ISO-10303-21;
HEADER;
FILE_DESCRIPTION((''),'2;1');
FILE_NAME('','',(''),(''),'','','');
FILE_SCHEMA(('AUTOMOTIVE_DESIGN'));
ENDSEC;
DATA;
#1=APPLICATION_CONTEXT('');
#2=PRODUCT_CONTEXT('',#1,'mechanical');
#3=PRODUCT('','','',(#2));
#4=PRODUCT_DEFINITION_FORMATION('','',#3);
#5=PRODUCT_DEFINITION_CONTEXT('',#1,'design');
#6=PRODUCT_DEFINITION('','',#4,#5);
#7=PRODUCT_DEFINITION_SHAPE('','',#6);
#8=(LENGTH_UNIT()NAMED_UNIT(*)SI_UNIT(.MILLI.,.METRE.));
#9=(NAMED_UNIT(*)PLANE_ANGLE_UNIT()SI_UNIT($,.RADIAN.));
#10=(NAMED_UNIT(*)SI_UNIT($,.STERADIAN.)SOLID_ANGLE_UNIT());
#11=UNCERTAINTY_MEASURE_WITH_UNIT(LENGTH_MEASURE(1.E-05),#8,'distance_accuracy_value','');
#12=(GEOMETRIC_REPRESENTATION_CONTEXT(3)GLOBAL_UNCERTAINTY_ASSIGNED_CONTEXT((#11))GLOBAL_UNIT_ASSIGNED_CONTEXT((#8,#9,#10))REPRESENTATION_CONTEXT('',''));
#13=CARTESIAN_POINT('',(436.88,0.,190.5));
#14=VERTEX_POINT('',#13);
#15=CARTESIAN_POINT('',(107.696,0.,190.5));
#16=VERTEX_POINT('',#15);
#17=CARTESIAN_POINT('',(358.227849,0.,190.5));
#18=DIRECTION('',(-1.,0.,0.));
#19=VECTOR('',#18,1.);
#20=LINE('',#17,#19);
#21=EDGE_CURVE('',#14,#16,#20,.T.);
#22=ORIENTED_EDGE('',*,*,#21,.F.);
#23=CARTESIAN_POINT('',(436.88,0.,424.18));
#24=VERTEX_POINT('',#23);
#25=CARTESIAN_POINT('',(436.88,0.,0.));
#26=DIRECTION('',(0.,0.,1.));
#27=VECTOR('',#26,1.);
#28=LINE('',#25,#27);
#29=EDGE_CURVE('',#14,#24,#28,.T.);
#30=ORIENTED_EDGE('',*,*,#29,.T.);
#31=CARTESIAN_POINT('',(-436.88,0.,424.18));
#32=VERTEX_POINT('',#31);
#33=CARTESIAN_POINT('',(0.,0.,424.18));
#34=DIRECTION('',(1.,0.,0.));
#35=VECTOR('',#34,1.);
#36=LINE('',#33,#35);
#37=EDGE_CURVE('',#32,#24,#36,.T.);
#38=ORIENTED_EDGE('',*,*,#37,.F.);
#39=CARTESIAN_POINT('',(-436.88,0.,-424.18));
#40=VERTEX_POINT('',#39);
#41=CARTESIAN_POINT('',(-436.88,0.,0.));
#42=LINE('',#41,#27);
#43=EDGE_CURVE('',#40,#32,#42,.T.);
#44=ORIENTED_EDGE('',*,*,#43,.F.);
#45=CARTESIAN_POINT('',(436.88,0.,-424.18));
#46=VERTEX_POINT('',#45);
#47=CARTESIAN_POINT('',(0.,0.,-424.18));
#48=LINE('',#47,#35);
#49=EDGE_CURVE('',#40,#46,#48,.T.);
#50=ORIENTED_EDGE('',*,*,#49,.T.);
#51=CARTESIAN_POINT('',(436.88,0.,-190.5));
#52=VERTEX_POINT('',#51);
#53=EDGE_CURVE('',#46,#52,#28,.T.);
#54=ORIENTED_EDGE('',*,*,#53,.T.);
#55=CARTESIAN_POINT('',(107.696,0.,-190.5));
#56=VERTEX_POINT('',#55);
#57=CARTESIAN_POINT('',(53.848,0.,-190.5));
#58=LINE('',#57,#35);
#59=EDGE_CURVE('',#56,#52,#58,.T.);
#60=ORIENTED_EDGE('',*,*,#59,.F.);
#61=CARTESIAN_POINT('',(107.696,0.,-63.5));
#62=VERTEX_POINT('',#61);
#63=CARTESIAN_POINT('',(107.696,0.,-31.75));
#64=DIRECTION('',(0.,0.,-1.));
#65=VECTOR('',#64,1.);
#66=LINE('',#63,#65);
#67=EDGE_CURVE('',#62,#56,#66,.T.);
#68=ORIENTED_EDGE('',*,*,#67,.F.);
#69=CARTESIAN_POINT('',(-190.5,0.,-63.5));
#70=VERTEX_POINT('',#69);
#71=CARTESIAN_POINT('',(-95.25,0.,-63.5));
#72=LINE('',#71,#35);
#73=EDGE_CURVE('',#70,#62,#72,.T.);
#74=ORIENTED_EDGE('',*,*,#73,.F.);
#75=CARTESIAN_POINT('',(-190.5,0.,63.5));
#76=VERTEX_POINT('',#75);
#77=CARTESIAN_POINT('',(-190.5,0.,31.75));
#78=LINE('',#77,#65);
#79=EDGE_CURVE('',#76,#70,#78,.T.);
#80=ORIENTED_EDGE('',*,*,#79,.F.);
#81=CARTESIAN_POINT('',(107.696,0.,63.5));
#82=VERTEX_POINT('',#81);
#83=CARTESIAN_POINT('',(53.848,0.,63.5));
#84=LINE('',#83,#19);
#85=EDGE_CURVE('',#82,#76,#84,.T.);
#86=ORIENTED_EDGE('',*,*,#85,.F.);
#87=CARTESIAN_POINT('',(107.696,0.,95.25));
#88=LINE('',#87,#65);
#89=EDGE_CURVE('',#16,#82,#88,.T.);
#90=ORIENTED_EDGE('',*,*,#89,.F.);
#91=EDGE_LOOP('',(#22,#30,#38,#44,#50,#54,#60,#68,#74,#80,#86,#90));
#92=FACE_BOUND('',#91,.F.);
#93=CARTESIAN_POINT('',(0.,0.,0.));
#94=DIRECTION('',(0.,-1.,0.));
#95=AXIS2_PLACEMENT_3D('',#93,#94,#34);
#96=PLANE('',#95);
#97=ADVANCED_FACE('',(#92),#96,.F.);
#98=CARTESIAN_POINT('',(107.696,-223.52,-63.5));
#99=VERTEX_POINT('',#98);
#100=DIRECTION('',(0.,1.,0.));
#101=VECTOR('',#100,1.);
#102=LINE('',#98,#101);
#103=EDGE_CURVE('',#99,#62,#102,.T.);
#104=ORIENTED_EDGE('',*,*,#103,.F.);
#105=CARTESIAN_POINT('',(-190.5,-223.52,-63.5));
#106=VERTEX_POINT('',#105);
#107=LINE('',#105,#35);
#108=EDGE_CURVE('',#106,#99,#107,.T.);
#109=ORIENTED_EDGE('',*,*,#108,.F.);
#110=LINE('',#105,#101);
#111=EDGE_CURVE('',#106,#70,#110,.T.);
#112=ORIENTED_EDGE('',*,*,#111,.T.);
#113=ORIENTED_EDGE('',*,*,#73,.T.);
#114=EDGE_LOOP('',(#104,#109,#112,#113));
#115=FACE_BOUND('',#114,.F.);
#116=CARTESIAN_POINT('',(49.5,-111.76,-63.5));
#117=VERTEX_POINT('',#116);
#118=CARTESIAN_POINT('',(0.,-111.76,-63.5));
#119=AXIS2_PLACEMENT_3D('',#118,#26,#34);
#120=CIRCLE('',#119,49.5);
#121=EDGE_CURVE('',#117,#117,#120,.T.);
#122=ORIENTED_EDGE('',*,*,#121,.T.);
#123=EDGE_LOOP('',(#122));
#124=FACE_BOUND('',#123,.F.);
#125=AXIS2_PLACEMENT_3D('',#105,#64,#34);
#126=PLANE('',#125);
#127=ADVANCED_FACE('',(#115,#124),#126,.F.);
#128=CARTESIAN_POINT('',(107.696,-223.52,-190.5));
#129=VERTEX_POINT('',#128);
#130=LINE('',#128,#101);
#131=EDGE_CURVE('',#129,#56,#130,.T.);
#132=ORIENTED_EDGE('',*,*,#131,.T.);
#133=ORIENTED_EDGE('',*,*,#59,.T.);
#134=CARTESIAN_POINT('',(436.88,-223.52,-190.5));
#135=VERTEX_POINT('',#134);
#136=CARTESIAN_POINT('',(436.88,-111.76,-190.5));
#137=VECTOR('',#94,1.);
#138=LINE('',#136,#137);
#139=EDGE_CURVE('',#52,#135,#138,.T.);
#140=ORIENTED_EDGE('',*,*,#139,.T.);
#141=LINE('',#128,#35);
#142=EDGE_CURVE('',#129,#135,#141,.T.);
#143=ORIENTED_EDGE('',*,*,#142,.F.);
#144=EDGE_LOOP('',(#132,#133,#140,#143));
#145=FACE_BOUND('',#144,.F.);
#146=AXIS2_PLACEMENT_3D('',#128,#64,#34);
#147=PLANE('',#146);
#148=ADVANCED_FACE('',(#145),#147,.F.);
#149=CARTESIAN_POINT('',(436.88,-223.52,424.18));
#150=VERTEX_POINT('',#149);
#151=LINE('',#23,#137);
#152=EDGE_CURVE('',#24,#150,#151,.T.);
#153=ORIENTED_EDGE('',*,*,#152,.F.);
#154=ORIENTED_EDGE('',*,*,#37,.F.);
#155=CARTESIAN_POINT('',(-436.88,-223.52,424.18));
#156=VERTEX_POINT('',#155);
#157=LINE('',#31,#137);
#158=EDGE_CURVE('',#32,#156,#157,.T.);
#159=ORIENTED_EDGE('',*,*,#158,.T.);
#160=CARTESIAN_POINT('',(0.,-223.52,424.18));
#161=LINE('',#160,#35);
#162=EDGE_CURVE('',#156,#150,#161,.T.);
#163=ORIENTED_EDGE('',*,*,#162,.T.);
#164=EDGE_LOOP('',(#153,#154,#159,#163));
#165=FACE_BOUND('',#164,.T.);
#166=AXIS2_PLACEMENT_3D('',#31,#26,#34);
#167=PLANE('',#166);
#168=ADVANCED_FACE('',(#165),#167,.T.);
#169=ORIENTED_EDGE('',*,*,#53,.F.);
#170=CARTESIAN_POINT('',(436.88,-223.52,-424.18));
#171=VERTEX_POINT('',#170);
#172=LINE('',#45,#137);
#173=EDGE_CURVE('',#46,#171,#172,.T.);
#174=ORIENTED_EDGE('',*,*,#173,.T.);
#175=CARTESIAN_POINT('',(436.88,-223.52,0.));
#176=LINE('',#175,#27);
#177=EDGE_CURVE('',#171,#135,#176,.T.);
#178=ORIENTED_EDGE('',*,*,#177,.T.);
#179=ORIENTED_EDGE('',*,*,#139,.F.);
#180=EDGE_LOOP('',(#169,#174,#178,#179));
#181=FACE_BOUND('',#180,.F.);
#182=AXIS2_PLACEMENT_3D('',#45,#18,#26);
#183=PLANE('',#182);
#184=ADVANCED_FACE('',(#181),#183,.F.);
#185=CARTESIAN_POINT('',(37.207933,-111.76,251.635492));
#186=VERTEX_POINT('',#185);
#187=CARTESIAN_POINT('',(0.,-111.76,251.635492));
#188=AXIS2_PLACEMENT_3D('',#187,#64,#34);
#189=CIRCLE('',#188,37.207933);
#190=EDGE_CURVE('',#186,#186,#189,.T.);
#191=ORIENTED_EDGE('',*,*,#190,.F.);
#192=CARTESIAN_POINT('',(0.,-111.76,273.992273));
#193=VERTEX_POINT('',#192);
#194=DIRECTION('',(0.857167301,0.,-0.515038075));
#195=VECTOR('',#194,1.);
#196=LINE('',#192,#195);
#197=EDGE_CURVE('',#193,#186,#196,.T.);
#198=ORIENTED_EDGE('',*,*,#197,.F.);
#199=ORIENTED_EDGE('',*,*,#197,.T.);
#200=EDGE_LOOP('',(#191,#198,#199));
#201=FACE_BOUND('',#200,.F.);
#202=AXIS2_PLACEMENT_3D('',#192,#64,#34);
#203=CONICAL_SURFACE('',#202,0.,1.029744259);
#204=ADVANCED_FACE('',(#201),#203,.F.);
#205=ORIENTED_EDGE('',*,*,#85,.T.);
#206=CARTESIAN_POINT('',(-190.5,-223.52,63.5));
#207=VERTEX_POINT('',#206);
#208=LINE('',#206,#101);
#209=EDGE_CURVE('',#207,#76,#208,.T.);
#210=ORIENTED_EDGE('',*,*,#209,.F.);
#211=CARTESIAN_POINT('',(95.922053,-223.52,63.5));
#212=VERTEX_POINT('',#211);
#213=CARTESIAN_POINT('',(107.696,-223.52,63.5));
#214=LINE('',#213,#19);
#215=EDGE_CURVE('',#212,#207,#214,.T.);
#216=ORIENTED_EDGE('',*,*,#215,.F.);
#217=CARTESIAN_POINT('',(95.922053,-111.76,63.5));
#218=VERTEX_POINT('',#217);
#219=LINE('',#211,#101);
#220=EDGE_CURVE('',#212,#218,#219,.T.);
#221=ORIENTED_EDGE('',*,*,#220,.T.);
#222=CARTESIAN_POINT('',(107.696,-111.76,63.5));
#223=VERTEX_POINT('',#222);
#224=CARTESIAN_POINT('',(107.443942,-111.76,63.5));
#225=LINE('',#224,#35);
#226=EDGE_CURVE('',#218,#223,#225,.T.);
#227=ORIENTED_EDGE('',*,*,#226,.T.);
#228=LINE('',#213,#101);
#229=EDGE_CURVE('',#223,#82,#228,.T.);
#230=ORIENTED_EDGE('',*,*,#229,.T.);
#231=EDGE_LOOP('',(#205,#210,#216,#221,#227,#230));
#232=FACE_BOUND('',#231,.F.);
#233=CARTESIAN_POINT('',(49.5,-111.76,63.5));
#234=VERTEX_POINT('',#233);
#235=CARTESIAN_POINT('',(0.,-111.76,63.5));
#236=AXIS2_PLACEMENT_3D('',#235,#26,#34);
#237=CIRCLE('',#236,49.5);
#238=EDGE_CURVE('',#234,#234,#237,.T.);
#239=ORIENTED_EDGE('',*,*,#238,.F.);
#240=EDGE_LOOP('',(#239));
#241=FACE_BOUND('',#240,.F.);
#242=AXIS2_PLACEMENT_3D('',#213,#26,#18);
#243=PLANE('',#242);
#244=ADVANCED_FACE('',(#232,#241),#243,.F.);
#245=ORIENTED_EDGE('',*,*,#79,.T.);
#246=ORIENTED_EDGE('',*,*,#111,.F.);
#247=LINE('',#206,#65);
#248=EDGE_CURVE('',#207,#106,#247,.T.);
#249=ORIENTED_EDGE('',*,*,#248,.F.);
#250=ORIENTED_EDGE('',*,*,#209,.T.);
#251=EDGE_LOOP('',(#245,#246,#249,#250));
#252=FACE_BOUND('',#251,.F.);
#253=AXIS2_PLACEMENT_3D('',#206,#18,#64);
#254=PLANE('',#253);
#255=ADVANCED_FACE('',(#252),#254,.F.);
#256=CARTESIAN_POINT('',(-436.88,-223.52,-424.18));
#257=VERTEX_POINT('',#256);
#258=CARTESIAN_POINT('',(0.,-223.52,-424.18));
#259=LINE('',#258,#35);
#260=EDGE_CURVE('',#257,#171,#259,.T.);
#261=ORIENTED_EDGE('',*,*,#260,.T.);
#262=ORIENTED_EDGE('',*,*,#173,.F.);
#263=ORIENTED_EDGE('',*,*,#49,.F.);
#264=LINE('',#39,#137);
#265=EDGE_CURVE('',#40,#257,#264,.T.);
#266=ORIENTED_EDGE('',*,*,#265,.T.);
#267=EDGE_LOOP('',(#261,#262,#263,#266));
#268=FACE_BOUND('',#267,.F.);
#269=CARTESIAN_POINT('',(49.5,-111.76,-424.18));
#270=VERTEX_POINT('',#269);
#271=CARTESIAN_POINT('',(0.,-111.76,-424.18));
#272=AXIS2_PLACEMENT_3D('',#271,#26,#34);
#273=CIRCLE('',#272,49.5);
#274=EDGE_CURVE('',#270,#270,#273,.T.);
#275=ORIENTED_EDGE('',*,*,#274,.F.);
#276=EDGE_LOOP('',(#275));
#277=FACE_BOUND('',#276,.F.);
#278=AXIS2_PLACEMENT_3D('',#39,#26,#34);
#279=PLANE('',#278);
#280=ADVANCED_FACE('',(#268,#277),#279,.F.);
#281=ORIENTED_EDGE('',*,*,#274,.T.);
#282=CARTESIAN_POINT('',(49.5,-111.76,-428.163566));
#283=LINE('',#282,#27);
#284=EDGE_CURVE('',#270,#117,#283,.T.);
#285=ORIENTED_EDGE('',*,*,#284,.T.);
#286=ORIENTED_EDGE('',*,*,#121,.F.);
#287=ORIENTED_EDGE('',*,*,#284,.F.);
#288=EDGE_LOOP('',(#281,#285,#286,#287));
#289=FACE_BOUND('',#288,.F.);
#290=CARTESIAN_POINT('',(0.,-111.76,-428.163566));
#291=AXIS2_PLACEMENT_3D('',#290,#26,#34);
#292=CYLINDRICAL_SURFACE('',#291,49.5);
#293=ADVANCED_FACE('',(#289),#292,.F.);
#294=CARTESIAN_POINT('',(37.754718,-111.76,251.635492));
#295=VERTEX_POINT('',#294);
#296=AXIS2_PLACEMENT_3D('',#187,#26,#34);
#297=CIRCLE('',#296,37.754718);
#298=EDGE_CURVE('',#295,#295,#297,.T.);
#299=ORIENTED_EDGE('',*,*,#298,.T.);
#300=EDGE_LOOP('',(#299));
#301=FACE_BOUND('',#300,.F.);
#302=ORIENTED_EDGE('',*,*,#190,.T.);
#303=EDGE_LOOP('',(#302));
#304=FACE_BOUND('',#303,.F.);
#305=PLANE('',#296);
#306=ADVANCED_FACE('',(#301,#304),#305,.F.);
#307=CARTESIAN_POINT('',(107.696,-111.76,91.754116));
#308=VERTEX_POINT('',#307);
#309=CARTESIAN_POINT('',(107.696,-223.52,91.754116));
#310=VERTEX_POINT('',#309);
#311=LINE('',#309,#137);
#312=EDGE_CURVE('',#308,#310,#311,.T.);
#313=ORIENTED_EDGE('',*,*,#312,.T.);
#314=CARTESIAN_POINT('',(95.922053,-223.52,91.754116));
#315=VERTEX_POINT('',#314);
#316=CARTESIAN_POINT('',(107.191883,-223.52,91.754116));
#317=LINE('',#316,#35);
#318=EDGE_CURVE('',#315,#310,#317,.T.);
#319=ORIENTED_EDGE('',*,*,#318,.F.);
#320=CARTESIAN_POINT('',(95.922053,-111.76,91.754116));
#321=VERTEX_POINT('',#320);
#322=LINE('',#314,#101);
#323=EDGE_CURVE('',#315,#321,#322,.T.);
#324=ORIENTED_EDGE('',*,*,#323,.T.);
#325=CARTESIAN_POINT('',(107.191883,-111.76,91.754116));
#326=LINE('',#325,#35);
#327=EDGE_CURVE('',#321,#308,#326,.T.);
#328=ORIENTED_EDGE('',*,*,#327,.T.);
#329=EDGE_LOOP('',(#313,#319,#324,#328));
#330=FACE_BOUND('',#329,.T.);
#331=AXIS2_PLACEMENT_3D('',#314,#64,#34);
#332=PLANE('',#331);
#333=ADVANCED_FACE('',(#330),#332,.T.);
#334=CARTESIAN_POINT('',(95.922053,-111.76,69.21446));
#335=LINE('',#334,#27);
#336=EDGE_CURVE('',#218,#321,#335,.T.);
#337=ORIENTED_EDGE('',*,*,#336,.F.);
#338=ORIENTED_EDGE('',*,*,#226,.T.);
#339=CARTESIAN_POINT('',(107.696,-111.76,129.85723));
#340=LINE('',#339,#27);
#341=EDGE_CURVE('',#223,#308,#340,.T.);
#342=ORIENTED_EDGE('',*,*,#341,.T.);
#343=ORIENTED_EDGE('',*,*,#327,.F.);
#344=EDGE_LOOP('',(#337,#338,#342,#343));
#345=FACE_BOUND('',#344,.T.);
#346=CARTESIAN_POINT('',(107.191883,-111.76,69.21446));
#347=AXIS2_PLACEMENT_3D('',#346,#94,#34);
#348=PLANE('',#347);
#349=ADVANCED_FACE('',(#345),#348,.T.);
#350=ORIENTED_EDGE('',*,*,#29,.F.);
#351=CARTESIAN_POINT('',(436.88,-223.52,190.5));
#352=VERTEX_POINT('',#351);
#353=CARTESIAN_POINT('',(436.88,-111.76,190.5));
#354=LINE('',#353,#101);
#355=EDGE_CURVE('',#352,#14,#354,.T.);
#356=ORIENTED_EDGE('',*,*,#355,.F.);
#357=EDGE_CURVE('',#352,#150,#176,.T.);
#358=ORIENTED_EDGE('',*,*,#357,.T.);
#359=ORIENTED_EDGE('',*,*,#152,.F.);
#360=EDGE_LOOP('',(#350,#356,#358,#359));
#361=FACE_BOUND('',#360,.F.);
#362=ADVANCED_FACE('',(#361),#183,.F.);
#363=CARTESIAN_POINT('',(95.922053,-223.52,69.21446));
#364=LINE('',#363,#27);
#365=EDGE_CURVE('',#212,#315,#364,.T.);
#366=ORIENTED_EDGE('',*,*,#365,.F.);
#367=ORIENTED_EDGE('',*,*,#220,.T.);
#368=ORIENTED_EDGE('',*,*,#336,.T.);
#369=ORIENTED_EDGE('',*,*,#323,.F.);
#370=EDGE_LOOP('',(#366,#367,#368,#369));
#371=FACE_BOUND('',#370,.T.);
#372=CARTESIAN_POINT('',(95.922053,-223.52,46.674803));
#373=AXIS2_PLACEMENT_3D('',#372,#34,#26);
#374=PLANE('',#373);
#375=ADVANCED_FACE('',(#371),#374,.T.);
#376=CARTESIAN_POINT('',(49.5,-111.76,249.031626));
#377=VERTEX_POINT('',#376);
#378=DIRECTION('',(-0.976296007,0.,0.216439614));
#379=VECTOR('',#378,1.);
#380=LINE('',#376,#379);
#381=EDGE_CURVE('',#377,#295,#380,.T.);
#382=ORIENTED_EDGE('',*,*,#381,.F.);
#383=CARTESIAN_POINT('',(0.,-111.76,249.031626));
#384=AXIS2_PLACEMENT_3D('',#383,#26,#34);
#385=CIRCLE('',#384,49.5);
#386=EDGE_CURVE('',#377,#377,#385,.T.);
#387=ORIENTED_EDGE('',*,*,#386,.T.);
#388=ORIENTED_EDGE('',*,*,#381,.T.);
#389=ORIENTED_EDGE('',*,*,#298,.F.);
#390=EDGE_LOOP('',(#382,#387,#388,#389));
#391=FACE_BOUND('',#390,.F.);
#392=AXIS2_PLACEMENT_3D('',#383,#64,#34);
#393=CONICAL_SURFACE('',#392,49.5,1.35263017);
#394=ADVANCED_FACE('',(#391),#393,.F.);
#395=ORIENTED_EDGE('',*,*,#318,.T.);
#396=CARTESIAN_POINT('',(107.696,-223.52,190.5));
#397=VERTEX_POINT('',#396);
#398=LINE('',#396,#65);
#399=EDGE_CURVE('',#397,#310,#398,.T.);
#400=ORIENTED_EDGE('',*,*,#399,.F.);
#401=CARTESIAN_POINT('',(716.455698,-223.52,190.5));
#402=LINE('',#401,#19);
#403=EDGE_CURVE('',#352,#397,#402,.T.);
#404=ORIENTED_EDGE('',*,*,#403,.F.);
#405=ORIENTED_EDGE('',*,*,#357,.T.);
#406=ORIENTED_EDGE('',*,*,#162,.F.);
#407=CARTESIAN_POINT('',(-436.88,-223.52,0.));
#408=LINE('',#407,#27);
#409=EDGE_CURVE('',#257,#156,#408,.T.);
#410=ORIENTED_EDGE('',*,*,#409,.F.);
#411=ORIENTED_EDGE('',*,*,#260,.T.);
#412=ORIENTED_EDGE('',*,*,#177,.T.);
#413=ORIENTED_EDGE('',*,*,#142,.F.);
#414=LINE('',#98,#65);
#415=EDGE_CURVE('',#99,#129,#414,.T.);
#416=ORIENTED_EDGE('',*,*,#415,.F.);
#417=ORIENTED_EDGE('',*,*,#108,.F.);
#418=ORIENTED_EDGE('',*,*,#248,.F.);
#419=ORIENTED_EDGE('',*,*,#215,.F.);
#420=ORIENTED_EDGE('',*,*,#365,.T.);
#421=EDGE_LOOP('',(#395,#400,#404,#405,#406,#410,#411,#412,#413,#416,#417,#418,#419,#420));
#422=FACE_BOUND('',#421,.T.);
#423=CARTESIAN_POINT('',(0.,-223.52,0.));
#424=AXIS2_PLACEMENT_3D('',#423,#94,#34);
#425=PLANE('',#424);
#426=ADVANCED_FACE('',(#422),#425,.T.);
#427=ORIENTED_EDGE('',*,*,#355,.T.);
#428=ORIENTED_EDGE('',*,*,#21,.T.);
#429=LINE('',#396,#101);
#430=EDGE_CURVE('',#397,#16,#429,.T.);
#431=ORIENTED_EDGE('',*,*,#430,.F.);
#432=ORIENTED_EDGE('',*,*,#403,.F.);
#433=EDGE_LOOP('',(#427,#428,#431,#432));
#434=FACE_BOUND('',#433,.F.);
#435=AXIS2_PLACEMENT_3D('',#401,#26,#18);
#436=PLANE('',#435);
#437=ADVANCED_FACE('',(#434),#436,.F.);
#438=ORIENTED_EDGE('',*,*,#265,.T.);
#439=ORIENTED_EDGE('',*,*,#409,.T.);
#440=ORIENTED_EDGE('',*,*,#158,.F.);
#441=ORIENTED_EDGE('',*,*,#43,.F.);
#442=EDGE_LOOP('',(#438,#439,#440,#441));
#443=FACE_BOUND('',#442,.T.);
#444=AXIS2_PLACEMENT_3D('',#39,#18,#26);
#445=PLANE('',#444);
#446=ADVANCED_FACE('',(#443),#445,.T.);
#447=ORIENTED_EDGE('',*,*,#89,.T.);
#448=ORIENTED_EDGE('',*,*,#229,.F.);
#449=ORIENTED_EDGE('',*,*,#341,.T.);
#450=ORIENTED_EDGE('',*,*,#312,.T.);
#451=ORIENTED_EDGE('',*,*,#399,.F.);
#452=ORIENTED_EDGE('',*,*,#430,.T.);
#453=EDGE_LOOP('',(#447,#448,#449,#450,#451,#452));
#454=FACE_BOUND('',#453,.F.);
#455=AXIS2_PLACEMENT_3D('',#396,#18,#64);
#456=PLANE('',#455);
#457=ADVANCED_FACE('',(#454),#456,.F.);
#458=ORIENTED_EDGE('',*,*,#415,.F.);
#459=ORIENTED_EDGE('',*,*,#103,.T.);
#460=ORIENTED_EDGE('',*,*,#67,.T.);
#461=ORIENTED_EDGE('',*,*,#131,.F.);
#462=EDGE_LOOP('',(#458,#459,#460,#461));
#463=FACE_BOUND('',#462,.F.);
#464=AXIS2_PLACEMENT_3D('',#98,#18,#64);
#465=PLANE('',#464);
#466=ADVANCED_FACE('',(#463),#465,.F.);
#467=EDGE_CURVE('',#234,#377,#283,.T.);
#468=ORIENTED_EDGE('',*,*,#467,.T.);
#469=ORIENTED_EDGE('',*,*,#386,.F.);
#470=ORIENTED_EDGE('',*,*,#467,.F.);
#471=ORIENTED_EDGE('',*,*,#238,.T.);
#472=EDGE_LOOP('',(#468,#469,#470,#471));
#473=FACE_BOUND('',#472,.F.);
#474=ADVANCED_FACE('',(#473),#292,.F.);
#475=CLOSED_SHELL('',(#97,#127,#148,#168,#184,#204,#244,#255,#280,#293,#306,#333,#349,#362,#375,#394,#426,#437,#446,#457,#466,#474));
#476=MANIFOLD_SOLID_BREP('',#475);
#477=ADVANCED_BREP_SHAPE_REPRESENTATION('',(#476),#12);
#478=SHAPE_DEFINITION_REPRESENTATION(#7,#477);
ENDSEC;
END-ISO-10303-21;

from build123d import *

# Parameters (mm, degrees)
F0_W     = 873.76
F0_H     = 848.36
F1_DEPTH = 223.52
F3_DEPTH = 254
F5_D     = 75
F5_DEPTH = 675.64
F5_TIP   = 22.5322732135
F7_W     = 22.5396603346
F7_H     = 45.0793132186
F8_DEPTH = 111.76


with BuildPart() as f1:
    # F0 (on Front) → F1 (new body)
    with BuildSketch(Plane.XZ):
        Rectangle(F0_W, F0_H)
    extrude(amount=F1_DEPTH)

    # F2 (on face) → F3 (cut)
    with BuildSketch(Plane.XZ.offset(223.52)):
        Polygon((107.696, 85.352614522), (107.696, 63.5), (-190.5, 63.5), (-190.5, 48.8914474845), (-190.5, 0), (-190.5, -48.8914474845), (-190.5, -63.5), (107.696, -63.5), (107.696, -85.352614522), (107.696, -181.2319755554), (107.696, -190.5), (716.4556980133, -190.5), (716.4556980133, 190.5), (430.53, 190.5), (107.696, 190.5), (107.696, 181.2319755554), align=None)
    extrude(amount=-F3_DEPTH, mode=Mode.SUBTRACT)

    # F5
    with Locations(Plane(origin=(0, 0, -424.18), x_dir=(1, 0, 0), z_dir=(0, 0, -1))):
        with Locations((0, 111.76)):
            Hole(F5_D / 2, depth=F5_DEPTH)
            with Locations((0, 0, -(F5_DEPTH + F5_TIP / 2))):  # 118° drill point
                Cone(0, F5_D / 2, F5_TIP, mode=Mode.SUBTRACT)

    # F7 (on face) → F8 (cut)
    with BuildSketch(Plane.XZ.offset(223.52)):
        with Locations((107.1918830276, 69.2144595087)):
            Rectangle(F7_W, F7_H)
    extrude(amount=-F8_DEPTH, mode=Mode.SUBTRACT)

    # F9 (on offset) → F10 (revolve, cut)
    with BuildSketch(Plane.XZ.offset(111.76)):
        Polygon((8.588981392, -428.1635656953), (49.5, -428.1635656953), (49.5, 249.0316255649), (37.7547182143, 251.635491848), (18.8773591071, 251.635491848), align=None)
    revolve(axis=Axis((0, -111.76, 257.2192468215), (0, 0, 1)), mode=Mode.SUBTRACT)


solid = f1.part
